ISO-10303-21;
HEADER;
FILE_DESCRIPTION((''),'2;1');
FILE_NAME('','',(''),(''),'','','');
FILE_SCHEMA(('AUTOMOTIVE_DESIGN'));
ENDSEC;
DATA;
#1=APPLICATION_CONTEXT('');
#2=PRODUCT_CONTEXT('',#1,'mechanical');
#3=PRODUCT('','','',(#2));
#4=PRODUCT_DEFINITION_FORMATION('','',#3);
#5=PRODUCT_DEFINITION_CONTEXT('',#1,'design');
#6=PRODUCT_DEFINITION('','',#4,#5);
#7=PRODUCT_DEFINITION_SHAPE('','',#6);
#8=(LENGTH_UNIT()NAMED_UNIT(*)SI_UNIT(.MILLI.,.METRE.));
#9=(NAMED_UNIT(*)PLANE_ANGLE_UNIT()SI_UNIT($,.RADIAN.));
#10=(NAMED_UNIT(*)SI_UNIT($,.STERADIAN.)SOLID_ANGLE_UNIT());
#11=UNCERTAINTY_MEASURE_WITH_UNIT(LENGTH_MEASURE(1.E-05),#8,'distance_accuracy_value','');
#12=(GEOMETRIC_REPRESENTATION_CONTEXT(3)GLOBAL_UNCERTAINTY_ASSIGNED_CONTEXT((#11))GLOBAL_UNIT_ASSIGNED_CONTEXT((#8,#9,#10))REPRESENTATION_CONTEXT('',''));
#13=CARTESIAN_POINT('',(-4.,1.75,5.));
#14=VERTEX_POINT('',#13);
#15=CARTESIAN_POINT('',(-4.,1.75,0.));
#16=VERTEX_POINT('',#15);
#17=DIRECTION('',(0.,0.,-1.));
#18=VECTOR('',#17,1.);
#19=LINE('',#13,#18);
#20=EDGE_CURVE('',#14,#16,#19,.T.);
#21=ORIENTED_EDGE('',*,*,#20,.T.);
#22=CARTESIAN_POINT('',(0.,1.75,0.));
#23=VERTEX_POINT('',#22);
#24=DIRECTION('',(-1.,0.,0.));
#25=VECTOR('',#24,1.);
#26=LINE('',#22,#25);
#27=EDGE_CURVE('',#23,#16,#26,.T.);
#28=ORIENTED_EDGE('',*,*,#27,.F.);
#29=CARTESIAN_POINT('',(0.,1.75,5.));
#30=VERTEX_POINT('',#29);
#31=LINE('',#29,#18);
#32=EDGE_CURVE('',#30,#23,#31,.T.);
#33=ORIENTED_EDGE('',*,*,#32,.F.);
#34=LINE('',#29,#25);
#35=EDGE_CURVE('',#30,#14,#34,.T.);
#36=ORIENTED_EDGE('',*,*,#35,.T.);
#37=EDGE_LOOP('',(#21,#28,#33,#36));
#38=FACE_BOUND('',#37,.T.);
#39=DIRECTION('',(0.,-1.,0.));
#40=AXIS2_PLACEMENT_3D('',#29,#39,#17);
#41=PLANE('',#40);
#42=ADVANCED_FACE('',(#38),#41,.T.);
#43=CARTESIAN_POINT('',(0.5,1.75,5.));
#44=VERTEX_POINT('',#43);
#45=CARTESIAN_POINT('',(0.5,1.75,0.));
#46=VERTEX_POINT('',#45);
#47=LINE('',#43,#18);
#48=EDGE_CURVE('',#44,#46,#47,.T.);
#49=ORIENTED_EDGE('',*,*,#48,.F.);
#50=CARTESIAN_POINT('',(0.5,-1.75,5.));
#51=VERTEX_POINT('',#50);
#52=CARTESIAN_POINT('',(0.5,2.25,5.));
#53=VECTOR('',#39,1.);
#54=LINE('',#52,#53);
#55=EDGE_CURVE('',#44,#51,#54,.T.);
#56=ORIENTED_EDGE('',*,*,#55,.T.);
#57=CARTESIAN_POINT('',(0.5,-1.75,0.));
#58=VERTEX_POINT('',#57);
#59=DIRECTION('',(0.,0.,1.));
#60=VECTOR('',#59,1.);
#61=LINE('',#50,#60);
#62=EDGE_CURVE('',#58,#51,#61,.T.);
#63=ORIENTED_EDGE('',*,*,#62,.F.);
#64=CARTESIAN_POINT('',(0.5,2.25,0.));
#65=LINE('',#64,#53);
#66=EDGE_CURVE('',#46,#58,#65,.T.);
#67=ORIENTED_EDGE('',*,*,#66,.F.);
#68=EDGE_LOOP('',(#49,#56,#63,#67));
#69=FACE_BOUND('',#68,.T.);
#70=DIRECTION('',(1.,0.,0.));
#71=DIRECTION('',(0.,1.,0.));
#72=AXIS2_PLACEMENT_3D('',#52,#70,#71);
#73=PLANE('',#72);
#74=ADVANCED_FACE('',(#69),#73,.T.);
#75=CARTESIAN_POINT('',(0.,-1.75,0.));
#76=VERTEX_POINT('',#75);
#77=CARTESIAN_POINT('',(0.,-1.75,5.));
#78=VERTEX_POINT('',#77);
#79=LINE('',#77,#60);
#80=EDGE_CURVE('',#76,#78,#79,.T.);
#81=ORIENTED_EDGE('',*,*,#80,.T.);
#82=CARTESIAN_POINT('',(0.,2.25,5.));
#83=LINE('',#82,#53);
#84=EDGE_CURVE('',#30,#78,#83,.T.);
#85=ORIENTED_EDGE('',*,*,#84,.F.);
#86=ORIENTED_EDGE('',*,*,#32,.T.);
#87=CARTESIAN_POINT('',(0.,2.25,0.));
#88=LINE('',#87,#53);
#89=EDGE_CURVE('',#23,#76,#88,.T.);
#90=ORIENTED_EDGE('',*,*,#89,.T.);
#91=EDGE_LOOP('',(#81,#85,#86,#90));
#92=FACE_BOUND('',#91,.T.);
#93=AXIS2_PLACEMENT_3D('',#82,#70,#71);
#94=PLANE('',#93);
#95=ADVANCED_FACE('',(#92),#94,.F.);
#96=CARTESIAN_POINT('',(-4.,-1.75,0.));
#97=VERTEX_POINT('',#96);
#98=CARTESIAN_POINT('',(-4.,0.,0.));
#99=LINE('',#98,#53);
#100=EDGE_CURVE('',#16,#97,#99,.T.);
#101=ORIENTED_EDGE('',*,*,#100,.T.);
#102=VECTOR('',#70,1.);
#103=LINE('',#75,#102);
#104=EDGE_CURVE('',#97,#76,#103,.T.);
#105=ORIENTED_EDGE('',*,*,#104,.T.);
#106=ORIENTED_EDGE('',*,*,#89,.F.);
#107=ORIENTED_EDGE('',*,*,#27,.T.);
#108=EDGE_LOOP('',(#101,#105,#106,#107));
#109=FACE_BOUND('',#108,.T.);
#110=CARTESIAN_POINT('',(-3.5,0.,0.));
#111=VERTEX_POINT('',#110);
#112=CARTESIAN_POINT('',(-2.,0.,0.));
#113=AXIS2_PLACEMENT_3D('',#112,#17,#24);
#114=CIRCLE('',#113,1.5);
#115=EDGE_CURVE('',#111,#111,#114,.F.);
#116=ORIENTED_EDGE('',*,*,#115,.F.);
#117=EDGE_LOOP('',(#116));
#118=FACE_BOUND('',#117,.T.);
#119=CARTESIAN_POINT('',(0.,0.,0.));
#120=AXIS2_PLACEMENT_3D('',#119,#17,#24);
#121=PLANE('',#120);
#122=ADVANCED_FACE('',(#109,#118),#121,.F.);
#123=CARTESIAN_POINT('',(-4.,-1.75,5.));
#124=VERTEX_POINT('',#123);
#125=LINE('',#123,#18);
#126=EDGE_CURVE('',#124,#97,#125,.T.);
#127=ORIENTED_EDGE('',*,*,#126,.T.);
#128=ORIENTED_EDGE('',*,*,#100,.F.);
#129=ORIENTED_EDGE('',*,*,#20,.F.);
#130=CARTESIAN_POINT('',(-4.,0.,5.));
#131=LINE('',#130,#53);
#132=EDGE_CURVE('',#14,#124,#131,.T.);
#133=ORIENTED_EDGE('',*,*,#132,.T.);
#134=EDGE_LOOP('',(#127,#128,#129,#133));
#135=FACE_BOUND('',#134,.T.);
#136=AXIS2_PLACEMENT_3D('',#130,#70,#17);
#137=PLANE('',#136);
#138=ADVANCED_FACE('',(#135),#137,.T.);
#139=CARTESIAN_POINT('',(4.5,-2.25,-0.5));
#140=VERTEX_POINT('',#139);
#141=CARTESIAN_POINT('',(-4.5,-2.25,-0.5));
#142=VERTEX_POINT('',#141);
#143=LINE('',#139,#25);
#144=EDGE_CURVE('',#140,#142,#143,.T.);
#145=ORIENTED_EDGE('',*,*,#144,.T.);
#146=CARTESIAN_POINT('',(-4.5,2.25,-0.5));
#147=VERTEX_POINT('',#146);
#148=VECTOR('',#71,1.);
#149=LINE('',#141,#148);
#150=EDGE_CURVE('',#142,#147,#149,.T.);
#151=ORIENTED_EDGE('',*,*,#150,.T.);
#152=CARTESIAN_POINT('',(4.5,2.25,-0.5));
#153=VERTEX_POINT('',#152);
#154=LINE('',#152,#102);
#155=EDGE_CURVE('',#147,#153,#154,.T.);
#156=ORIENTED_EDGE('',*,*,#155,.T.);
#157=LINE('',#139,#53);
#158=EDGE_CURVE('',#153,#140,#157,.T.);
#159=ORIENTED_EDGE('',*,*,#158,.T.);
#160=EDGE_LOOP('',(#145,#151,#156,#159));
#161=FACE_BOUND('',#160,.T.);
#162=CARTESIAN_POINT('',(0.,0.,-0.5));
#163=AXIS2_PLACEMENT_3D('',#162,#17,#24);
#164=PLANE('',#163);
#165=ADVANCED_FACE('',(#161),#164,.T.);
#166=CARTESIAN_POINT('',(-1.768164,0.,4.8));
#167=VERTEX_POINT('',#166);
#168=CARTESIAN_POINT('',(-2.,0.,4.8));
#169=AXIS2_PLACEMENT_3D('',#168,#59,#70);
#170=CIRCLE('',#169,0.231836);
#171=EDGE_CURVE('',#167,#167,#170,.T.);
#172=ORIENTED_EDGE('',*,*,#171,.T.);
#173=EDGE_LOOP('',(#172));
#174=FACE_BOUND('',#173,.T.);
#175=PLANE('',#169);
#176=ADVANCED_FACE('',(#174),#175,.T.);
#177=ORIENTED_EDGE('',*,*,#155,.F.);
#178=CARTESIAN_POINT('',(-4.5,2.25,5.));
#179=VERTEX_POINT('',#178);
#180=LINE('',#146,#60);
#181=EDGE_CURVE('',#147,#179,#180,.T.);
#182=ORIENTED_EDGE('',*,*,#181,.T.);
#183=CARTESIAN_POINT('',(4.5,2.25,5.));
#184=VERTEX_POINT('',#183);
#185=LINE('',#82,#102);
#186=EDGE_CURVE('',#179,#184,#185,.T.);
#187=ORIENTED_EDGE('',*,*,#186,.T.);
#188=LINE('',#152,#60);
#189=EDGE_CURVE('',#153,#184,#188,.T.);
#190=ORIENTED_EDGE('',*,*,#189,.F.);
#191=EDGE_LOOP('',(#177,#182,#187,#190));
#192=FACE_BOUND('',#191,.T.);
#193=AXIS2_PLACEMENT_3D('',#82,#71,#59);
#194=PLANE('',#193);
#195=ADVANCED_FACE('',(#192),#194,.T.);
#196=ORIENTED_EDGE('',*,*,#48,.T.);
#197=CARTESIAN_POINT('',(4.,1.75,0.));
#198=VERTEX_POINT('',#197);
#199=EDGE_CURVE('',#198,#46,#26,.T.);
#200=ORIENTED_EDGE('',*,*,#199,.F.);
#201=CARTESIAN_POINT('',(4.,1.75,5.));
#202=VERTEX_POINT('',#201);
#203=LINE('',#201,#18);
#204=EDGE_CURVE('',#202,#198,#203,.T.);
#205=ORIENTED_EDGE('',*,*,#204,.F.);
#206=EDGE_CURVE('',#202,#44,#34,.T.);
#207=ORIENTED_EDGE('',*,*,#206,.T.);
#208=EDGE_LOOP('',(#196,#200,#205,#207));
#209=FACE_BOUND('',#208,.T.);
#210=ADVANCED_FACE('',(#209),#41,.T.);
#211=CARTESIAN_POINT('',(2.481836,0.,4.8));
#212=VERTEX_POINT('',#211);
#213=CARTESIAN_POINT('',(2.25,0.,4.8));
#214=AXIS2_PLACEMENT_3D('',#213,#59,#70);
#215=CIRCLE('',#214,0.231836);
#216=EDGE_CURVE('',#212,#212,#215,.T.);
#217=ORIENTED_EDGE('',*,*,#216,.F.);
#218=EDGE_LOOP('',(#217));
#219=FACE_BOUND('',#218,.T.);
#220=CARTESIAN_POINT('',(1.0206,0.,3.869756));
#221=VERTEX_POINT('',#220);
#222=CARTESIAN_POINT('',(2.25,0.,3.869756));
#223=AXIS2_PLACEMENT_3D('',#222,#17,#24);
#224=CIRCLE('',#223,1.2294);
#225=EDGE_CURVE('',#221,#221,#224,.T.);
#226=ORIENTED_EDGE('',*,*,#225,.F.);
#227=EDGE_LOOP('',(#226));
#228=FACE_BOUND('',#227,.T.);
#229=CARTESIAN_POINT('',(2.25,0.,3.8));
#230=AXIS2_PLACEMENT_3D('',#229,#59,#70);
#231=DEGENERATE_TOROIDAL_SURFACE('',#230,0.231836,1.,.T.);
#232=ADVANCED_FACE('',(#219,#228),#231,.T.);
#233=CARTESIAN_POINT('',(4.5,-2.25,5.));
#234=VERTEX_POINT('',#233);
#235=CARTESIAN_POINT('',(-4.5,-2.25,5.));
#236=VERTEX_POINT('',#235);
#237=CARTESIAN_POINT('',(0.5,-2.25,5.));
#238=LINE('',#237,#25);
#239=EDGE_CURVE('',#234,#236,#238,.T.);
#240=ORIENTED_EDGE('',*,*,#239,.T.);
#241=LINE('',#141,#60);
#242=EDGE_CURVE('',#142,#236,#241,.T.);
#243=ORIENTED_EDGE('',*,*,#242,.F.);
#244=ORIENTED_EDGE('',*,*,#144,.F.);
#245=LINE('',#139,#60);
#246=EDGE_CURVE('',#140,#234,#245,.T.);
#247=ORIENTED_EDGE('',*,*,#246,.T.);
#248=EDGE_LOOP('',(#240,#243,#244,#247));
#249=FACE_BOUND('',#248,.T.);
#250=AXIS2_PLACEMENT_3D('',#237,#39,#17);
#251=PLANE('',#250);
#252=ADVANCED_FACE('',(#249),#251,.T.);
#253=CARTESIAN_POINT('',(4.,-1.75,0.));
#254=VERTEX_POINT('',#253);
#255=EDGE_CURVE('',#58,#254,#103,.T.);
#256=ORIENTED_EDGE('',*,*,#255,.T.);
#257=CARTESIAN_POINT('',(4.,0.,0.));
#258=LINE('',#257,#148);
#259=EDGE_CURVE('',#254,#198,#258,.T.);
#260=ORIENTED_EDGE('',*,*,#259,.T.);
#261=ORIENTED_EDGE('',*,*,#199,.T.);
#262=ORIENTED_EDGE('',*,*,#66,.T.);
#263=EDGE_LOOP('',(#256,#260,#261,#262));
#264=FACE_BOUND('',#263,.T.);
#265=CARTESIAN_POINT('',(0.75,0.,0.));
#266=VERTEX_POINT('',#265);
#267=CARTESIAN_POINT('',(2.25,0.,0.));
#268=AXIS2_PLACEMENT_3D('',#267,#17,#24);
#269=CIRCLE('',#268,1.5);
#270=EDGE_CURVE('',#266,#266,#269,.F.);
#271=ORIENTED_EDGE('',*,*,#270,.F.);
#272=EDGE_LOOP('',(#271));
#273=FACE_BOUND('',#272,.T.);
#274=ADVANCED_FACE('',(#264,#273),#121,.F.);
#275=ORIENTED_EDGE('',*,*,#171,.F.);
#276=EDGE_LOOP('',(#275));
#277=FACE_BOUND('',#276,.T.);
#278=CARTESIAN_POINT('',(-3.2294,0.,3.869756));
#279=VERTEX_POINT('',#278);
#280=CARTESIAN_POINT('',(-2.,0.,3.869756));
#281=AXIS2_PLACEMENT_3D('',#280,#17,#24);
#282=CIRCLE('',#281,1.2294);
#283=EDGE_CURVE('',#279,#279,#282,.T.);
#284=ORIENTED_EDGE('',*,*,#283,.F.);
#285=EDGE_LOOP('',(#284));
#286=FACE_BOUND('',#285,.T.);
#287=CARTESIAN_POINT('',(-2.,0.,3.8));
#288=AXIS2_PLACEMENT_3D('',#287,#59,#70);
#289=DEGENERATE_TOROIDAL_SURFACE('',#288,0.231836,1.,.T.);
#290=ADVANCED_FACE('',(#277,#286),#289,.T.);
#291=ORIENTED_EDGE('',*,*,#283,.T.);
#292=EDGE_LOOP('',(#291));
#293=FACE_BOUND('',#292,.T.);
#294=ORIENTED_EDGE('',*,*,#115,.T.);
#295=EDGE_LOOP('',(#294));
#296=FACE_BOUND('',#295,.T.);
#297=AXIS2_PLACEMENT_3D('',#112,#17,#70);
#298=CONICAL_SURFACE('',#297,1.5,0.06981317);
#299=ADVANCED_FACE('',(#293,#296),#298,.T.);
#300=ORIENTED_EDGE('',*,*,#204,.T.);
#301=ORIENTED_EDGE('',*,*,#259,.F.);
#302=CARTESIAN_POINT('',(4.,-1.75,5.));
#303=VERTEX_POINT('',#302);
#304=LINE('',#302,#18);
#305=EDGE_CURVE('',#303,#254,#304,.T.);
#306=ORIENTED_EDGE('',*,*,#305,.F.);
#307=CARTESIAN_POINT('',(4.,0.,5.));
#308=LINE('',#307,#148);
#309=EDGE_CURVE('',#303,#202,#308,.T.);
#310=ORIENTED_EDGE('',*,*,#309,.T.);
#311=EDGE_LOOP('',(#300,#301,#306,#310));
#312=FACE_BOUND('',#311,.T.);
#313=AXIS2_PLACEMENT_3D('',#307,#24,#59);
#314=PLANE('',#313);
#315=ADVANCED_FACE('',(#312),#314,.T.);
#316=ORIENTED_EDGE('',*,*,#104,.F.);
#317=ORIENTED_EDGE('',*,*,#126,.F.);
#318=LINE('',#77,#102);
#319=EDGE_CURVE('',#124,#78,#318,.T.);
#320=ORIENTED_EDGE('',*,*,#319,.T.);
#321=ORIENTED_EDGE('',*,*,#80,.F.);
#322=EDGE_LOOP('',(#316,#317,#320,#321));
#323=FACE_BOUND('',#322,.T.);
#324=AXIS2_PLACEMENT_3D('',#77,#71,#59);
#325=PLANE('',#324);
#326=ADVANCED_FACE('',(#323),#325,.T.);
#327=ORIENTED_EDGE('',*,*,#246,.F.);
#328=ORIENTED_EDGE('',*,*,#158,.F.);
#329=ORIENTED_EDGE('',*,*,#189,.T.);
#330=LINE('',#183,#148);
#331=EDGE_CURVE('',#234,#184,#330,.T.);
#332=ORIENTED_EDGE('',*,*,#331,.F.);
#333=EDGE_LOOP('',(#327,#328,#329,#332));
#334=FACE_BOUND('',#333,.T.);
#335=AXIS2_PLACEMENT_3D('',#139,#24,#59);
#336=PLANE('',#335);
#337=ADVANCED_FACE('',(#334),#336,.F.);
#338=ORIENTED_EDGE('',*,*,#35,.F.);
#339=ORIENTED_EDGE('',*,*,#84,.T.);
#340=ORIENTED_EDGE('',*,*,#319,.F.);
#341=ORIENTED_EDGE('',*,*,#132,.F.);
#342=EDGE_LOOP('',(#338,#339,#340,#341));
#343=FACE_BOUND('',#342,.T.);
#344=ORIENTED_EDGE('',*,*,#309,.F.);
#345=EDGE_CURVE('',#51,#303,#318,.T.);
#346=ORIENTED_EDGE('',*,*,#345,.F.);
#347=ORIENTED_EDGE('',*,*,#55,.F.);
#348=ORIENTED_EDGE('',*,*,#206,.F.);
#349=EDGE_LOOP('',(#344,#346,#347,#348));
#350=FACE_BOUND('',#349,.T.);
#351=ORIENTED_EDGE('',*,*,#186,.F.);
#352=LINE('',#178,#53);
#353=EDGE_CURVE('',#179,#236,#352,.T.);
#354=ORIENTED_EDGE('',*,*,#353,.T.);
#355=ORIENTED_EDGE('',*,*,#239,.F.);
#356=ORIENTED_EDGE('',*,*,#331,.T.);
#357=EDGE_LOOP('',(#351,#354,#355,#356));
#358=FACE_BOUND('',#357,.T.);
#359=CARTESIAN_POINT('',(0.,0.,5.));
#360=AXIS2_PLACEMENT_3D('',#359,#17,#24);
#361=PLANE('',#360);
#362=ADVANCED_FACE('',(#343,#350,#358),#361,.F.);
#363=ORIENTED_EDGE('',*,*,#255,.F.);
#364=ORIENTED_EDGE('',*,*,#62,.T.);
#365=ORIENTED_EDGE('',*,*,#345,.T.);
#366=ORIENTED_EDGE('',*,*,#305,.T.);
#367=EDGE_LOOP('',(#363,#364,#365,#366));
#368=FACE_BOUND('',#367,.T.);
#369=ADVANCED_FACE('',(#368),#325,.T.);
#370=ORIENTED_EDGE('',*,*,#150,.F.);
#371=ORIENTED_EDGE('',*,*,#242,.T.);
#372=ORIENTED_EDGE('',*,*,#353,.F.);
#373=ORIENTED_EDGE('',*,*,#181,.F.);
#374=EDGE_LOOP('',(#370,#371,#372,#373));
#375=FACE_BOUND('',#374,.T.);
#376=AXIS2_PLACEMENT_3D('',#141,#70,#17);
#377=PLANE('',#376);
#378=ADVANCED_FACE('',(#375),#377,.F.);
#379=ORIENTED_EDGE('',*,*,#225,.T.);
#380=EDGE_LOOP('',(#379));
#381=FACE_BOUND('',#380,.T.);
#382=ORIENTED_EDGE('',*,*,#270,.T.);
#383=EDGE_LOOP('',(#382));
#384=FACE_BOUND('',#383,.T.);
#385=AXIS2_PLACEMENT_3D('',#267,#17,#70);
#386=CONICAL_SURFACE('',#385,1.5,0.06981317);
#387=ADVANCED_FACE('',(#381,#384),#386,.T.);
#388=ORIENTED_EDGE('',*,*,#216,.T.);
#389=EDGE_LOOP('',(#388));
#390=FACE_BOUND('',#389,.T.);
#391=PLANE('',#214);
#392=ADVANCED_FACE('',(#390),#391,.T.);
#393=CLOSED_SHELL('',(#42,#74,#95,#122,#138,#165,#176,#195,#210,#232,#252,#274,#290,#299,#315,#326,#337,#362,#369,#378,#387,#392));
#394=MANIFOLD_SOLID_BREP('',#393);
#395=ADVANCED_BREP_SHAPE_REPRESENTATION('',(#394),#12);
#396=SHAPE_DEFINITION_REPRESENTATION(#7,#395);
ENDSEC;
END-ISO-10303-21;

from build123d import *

# Parameters (mm, degrees)
SKETCH1_W             = 0.5
SKETCH1_H             = 4.5
EXTRUDE_THIN2_DEPTH   = 5
SKETCH1_W_2           = 9
SKETCH1_W_3           = 8
SKETCH1_H_2           = 3.5
EXTRUDE_THIN2_2_DEPTH = 5
SKETCH2_W             = 9
SKETCH2_H             = 4.5
BOSS_EXTRUDE1_DEPTH   = 0.5
SKETCH4_R             = 1.5
BOSS_EXTRUDE3_DEPTH   = 4.8
BOSS_EXTRUDE3_TAPER   = 4
FILLET1_R             = 1


with BuildPart() as part:
    # Sketch1 → Extrude-Thin2 (new body)
    with BuildSketch(Plane.XY):
        with Locations((0.25, 0)):
            Rectangle(SKETCH1_W, SKETCH1_H)
    extrude(amount=EXTRUDE_THIN2_DEPTH)



with BuildPart() as body_2:
    # Sketch1 → Extrude-Thin2 2 (new body)
    with BuildSketch(Plane.XY):
        Rectangle(SKETCH1_W_2, SKETCH1_H)
        Rectangle(SKETCH1_W_3, SKETCH1_H_2, mode=Mode.SUBTRACT)
    extrude(amount=EXTRUDE_THIN2_2_DEPTH)


with BuildPart() as part_1:
    add(part.part)

    add(body_2.part)  # Boss-Extrude1 merges body 2
    # Sketch2 → Boss-Extrude1 (add)
    with BuildSketch(Plane(origin=(0, 0, 0), x_dir=(-1, 0, 0), z_dir=(0, 0, -1))):
        Rectangle(SKETCH2_W, SKETCH2_H)
    extrude(amount=BOSS_EXTRUDE1_DEPTH)

    # Sketch4 → Boss-Extrude3 (add)
    with BuildSketch(Plane.XY):
        with Locations((2.25, 0)):
            Circle(SKETCH4_R)
        with Locations((-2, 0)):
            Circle(SKETCH4_R)
    extrude(amount=BOSS_EXTRUDE3_DEPTH, taper=BOSS_EXTRUDE3_TAPER)

    # Fillet1
    fillet1_edges = [part_1.edges().sort_by_distance(p)[0] for p in [
        (1.085648697, 0, 4.8),
        (-3.164351303, 0, 4.8),
    ]]
    fillet(fillet1_edges, radius=FILLET1_R)


solid = part_1.part
